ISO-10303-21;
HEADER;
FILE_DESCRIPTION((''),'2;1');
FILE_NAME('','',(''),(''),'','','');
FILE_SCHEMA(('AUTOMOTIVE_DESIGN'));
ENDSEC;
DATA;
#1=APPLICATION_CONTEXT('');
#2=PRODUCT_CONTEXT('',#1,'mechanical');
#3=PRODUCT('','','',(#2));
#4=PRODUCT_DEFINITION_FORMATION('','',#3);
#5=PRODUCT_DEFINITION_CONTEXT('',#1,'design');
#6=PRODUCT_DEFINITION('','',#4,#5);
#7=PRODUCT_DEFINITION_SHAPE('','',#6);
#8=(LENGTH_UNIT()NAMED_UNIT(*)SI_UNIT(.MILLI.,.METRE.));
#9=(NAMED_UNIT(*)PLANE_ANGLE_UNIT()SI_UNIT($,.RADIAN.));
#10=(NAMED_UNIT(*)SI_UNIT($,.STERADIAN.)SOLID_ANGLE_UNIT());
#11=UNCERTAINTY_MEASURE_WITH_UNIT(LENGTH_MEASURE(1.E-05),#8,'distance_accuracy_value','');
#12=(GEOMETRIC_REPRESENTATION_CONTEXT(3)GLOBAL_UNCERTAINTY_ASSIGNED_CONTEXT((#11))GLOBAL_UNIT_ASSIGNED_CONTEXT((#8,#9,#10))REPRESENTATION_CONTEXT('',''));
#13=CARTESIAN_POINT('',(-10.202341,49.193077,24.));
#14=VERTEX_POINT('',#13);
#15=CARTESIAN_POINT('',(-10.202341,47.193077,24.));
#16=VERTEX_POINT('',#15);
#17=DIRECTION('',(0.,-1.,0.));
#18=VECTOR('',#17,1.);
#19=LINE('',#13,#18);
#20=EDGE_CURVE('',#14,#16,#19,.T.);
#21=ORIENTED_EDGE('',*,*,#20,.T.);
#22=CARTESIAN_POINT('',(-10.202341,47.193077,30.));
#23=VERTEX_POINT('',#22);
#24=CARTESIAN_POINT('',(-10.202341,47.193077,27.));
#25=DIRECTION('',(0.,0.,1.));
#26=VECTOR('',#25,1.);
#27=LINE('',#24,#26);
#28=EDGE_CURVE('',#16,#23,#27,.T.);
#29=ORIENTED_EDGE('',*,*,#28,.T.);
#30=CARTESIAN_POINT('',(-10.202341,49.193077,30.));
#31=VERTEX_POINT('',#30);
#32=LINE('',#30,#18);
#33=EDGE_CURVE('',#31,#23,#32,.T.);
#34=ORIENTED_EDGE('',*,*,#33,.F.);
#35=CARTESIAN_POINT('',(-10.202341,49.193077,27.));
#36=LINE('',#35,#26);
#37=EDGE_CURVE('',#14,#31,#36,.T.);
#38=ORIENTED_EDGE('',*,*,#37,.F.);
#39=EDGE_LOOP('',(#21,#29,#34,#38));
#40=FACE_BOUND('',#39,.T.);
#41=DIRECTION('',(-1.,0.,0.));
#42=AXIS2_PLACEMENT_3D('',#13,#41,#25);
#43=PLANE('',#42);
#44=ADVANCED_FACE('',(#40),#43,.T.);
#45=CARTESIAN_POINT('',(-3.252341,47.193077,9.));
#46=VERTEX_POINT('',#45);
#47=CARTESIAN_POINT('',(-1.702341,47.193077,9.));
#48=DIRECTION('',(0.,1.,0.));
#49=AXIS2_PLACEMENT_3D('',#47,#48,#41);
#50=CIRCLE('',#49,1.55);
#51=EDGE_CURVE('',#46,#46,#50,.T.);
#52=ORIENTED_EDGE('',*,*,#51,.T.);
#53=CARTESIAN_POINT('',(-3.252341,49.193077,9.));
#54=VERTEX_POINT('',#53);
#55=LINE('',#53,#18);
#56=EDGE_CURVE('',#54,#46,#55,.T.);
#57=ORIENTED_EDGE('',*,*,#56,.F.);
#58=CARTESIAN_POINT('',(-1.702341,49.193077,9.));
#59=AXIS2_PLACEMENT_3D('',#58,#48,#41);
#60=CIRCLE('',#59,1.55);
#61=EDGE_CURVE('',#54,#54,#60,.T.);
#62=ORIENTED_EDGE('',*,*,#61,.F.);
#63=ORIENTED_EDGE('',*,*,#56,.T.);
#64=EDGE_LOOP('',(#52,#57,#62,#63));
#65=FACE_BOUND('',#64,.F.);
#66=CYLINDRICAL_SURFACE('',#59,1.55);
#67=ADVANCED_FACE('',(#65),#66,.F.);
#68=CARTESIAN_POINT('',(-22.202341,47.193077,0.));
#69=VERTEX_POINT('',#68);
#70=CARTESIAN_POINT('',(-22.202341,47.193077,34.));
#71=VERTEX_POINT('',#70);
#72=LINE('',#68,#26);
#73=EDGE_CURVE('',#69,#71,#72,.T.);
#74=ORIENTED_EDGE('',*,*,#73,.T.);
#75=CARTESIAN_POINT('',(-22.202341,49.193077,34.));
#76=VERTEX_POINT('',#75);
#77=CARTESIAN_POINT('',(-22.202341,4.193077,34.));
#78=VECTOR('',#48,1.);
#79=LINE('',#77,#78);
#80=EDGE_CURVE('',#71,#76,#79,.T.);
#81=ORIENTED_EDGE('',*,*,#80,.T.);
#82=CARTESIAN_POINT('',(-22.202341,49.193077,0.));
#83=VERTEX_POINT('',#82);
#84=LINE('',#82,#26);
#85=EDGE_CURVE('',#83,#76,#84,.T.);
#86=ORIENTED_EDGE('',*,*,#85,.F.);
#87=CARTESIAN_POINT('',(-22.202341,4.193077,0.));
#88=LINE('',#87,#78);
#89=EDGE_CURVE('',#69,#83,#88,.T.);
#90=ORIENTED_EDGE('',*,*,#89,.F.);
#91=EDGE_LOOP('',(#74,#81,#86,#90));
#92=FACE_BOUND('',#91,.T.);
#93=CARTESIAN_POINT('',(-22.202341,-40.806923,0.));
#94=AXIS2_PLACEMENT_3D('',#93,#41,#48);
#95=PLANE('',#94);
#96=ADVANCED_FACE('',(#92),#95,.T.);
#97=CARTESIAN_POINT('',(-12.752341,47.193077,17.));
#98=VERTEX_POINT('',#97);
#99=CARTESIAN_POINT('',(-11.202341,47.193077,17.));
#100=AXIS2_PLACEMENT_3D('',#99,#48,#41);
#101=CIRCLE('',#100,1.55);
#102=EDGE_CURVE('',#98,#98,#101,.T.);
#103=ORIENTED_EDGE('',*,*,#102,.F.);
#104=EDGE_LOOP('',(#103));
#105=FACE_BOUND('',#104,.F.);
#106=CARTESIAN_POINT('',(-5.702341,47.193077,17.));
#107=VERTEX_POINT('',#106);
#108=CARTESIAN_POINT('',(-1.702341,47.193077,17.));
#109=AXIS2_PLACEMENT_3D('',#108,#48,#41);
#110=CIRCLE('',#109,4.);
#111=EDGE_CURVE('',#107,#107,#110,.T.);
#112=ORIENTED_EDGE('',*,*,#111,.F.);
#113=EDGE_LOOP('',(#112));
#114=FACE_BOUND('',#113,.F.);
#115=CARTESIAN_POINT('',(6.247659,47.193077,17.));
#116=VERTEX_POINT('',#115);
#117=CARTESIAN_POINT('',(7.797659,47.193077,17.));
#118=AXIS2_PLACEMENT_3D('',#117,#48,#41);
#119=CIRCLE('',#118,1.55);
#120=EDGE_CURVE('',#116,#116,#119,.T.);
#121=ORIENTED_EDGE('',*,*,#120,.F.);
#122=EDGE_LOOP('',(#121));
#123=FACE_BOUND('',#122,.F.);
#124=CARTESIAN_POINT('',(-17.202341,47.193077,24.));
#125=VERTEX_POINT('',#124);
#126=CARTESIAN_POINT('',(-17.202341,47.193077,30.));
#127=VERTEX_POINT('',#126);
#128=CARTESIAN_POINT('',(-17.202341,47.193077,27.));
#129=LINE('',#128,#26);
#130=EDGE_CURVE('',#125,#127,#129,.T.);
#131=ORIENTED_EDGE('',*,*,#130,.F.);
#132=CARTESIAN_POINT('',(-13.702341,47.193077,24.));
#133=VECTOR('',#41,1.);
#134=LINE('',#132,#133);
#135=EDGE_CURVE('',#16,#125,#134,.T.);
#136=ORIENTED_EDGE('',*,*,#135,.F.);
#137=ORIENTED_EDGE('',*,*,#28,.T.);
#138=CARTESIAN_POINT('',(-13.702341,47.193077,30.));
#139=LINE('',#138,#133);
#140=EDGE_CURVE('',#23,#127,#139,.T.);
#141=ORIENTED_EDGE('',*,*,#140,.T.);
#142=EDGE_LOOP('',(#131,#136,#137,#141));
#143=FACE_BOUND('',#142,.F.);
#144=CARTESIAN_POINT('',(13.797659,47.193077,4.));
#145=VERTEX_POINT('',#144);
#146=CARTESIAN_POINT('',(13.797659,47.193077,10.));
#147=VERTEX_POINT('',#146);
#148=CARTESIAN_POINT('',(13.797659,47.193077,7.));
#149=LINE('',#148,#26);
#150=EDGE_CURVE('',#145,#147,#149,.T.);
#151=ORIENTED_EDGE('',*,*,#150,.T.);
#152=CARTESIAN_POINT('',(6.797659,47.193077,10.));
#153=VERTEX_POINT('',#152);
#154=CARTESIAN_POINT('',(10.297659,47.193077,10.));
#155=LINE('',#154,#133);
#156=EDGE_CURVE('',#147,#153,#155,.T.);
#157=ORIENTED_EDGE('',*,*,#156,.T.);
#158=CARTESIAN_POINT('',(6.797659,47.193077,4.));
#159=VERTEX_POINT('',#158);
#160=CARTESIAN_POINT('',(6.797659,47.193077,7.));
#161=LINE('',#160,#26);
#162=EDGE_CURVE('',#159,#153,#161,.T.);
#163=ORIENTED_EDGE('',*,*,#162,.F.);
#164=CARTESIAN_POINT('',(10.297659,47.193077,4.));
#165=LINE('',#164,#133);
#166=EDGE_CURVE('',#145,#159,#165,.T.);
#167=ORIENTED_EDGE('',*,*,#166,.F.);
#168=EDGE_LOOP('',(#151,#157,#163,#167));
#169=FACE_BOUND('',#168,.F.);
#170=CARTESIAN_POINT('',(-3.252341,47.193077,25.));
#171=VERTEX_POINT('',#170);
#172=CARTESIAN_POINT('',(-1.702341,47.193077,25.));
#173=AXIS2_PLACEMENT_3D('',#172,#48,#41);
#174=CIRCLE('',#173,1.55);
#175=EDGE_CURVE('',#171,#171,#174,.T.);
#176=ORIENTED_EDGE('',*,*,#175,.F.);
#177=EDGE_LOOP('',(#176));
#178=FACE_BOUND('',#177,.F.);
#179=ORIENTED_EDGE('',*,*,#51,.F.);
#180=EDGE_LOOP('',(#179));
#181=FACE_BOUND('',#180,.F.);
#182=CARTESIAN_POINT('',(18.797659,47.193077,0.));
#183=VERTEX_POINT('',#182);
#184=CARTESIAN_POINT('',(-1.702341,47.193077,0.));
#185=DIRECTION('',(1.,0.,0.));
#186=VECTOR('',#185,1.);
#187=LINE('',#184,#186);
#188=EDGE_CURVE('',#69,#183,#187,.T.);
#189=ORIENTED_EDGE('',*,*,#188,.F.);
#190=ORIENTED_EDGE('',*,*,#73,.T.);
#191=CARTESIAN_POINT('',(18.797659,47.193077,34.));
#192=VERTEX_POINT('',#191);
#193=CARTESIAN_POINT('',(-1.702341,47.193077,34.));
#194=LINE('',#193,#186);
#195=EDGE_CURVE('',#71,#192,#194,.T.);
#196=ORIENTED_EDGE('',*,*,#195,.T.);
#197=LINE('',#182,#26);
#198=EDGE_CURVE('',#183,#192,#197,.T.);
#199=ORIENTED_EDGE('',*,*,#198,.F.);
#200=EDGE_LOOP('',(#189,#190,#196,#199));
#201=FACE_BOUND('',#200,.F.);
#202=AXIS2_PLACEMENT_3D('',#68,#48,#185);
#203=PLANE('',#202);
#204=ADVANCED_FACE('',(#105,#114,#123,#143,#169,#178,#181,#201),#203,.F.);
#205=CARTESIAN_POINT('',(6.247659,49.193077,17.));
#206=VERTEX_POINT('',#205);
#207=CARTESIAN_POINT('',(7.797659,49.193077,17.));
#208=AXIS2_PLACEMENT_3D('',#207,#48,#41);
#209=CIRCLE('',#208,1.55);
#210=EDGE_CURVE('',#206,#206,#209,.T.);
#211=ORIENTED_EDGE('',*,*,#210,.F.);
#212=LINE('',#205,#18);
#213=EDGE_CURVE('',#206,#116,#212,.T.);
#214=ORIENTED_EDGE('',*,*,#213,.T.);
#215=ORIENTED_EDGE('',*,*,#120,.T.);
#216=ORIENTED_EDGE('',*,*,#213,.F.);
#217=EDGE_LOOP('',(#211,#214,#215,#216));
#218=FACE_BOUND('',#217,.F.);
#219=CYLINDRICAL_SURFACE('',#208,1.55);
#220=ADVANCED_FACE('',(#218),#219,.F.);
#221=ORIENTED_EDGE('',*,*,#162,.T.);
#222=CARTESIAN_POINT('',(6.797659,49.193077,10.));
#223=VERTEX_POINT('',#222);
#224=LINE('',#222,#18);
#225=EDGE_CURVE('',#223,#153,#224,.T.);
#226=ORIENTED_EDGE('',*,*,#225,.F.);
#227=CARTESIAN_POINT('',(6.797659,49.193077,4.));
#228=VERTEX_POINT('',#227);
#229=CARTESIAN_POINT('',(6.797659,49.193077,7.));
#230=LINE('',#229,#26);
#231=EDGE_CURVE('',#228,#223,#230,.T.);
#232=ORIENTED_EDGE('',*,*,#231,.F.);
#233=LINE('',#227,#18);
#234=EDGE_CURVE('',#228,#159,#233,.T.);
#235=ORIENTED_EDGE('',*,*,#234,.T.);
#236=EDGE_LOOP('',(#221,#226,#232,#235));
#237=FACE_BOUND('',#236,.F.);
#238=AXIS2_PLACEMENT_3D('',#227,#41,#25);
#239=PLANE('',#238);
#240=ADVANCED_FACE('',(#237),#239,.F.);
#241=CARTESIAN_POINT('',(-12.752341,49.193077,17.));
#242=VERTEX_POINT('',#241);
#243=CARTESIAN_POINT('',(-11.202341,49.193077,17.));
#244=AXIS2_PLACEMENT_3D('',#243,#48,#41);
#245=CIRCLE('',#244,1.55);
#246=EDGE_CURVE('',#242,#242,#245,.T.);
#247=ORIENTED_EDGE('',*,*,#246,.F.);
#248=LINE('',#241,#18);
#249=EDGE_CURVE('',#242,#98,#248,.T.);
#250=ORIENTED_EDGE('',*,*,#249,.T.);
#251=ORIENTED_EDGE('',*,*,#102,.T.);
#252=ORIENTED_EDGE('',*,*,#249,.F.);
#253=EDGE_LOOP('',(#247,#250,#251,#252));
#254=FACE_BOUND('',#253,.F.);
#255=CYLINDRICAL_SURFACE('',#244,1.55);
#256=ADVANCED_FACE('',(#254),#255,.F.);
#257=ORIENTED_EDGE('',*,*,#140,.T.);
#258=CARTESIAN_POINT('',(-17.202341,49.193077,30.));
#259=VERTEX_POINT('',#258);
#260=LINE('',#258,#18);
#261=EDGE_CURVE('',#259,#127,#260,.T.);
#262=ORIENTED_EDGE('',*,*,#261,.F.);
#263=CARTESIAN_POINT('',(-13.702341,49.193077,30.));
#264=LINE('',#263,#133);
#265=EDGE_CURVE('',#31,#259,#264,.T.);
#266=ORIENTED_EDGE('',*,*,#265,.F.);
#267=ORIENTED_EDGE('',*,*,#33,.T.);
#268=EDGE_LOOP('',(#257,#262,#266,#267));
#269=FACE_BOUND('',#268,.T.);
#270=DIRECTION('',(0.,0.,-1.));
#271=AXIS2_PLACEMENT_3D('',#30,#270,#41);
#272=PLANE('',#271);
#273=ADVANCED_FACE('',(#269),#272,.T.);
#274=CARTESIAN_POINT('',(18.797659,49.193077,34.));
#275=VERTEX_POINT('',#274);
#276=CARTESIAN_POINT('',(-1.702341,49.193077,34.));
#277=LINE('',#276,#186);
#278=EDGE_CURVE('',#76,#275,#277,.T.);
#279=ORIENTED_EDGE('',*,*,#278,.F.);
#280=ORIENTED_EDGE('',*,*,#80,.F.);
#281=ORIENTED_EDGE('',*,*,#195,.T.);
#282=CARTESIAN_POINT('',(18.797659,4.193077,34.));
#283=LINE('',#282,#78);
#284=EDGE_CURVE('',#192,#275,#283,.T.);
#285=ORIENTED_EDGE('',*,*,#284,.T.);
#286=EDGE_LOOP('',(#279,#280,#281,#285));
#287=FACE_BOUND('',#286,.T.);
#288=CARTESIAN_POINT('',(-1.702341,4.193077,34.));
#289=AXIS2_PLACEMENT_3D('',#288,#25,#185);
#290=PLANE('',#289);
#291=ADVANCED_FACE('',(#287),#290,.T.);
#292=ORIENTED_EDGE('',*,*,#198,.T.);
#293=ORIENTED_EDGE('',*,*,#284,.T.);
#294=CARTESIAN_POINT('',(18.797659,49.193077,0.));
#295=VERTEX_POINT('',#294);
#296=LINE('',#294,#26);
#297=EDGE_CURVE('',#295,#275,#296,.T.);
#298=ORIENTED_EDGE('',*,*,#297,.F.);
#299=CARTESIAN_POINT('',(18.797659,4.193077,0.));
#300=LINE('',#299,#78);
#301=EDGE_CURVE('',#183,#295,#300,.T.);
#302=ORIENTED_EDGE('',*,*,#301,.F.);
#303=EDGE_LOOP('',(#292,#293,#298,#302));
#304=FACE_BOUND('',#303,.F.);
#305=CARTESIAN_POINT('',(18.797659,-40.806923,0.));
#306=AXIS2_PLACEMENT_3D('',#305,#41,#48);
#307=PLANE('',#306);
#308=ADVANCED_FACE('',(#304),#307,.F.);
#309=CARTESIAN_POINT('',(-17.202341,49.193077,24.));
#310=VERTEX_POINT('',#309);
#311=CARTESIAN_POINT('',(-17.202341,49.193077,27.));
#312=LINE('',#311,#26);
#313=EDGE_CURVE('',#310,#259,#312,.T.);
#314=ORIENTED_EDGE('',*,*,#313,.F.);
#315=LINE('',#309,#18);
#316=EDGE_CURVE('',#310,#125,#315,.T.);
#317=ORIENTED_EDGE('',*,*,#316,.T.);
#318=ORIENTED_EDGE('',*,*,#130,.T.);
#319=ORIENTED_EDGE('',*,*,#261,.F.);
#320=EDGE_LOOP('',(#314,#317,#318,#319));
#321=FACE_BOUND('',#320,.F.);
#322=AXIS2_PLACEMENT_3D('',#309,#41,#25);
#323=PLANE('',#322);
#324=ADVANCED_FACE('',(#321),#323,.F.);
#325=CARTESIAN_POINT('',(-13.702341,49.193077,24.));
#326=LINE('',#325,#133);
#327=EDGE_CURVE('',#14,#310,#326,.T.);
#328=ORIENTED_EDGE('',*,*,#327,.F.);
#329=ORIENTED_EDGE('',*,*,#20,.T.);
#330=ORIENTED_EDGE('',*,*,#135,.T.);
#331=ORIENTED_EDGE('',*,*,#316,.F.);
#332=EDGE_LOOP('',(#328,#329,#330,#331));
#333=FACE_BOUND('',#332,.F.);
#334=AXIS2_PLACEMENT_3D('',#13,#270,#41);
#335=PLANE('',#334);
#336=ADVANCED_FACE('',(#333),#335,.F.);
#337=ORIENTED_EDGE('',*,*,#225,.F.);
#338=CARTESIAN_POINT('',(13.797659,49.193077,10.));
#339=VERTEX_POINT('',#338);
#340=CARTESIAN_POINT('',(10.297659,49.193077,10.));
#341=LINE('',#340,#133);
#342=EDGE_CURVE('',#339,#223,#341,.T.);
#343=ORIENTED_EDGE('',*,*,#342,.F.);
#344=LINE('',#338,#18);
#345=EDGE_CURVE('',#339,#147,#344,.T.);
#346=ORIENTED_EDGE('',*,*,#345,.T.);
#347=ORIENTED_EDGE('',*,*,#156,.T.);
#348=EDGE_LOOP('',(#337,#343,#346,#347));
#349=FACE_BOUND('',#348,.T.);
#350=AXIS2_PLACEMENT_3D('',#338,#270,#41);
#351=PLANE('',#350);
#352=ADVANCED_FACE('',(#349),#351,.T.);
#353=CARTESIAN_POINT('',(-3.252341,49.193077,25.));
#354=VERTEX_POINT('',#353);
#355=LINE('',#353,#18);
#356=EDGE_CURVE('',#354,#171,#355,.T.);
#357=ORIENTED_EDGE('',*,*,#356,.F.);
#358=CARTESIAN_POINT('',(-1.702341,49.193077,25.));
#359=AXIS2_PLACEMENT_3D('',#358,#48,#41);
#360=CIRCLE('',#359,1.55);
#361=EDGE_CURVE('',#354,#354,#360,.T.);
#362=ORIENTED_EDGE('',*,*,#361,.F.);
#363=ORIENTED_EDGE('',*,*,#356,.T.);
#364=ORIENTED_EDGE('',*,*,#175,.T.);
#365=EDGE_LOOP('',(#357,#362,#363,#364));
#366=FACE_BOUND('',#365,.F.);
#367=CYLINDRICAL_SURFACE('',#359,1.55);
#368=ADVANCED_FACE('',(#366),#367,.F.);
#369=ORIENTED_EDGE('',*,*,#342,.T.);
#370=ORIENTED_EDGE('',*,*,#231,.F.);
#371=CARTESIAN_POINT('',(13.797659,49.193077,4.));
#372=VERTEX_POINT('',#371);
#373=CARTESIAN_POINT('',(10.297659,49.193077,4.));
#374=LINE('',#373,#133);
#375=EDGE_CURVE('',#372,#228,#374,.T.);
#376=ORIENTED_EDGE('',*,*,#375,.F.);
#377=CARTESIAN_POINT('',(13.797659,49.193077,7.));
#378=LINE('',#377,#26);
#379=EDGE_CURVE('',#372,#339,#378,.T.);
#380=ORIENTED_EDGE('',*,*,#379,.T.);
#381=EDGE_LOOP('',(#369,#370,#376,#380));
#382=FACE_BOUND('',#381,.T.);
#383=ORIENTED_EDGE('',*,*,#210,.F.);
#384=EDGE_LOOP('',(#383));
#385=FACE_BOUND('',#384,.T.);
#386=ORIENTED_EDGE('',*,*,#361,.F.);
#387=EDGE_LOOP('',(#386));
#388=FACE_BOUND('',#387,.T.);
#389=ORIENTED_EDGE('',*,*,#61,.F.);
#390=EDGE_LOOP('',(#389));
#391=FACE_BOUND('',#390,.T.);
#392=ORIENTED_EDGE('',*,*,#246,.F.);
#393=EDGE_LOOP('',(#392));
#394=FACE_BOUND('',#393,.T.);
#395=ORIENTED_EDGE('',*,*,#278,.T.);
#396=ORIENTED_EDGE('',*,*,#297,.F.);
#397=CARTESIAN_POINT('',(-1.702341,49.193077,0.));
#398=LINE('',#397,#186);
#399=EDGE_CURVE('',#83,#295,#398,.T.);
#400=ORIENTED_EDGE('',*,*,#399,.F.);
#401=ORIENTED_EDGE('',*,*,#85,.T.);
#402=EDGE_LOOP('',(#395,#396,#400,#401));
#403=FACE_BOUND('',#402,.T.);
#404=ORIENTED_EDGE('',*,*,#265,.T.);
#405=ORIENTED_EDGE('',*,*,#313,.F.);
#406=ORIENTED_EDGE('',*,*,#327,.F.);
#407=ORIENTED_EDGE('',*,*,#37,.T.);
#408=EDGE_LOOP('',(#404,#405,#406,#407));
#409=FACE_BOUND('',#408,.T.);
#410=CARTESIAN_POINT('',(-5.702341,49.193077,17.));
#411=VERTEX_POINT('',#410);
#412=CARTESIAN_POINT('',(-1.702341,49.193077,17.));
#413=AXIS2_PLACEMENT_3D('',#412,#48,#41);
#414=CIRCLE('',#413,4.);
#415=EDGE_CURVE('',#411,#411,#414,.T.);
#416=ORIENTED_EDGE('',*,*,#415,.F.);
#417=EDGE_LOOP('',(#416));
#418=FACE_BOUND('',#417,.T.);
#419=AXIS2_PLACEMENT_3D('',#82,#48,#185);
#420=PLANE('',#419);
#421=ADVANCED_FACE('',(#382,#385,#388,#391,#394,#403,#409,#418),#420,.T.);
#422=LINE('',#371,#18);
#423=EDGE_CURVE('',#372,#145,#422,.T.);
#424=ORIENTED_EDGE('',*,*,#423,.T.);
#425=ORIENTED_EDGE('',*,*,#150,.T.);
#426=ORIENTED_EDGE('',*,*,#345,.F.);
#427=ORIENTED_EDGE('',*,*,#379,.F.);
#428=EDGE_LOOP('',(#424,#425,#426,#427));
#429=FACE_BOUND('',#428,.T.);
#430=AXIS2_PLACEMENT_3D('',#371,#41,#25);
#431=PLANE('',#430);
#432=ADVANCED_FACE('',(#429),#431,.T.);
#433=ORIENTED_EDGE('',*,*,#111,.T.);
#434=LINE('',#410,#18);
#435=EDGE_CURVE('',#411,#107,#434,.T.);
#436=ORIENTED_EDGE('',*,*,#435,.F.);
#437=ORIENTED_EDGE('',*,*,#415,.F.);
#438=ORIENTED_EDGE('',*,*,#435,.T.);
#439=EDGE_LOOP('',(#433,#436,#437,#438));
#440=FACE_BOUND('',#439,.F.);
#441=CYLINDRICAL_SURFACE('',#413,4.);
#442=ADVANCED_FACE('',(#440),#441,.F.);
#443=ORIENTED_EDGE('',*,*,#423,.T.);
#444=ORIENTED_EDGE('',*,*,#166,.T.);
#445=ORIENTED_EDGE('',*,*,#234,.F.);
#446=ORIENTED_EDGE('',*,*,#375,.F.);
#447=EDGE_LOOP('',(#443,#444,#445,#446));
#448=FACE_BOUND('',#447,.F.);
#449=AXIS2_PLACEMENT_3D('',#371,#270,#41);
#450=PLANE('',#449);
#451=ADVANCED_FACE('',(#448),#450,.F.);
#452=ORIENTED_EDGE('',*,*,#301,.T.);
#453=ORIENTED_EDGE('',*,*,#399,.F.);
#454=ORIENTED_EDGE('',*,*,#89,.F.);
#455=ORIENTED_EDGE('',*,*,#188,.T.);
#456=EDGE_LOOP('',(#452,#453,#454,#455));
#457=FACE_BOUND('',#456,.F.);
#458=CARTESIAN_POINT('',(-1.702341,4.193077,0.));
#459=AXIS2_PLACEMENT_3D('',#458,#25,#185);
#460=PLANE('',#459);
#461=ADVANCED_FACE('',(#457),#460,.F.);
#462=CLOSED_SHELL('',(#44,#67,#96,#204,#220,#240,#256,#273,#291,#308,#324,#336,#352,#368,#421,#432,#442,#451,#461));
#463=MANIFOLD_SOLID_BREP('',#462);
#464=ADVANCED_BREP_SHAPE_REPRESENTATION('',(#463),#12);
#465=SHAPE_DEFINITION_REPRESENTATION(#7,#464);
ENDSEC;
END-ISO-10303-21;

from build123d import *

# Parameters (mm, degrees)
F0_W     = 41
F0_H     = 90
F1_DEPTH = 34
F2_W     = 35
F2_H     = 29
F3_DEPTH = 86
F4_W     = 7
F4_H     = 6
F4_R     = 4
F4_R_2   = 1.55
F5_DEPTH = 4
F6_DEPTH = 86
F7_DEPTH = 2


with BuildPart() as f1:
    # F0 (on Top) → F1 (new body)
    with BuildSketch(Plane.XY):
        with Locations((-1.7023412511, 4.193077401)):
            Rectangle(F0_W, F0_H)
    extrude(amount=F1_DEPTH)

    # F2 (on face) → F3 (cut)
    with BuildSketch(Plane.XZ.offset(40.806922599)):
        with Locations((-1.7023412511, 17)):
            Rectangle(F2_W, F2_H)
    extrude(amount=-F3_DEPTH, mode=Mode.SUBTRACT)

    # F4 (on face) → F5 (cut, through all)
    with BuildSketch(Plane(origin=(0, 49.193077401, 0), x_dir=(-1, 0, 0), z_dir=(0, 1, 0))):
        with Locations((-10.2976587489, 7)):
            Rectangle(F4_W, F4_H)
        with Locations((1.7023412511, 17)):
            Circle(F4_R)
        with Locations((13.7023412511, 27)):
            Rectangle(F4_W, F4_H)
        with Locations((11.2023412511, 17)):
            Circle(F4_R_2)
        with Locations((-7.7976587489, 17)):
            Circle(F4_R_2)
        with Locations((1.7023412511, 25)):
            Circle(F4_R_2)
        with Locations((1.7023412511, 9)):
            Circle(F4_R_2)
    extrude(amount=-F5_DEPTH, mode=Mode.SUBTRACT)

    # F6 (cut): a face of the model
    f6_faces = [f1.faces().sort_by_distance(p)[0] for p in [
        (-21.6697062917, -40.806922599, 17),
    ]]
    extrude(f6_faces, amount=-F6_DEPTH, mode=Mode.SUBTRACT)

    # F7 (cut): a face of the model
    f7_faces = [f1.faces().sort_by_distance(p)[0] for p in [
        (-21.6697062917, 45.193077401, 17),
    ]]
    extrude(f7_faces, amount=-F7_DEPTH, mode=Mode.SUBTRACT)


solid = f1.part
